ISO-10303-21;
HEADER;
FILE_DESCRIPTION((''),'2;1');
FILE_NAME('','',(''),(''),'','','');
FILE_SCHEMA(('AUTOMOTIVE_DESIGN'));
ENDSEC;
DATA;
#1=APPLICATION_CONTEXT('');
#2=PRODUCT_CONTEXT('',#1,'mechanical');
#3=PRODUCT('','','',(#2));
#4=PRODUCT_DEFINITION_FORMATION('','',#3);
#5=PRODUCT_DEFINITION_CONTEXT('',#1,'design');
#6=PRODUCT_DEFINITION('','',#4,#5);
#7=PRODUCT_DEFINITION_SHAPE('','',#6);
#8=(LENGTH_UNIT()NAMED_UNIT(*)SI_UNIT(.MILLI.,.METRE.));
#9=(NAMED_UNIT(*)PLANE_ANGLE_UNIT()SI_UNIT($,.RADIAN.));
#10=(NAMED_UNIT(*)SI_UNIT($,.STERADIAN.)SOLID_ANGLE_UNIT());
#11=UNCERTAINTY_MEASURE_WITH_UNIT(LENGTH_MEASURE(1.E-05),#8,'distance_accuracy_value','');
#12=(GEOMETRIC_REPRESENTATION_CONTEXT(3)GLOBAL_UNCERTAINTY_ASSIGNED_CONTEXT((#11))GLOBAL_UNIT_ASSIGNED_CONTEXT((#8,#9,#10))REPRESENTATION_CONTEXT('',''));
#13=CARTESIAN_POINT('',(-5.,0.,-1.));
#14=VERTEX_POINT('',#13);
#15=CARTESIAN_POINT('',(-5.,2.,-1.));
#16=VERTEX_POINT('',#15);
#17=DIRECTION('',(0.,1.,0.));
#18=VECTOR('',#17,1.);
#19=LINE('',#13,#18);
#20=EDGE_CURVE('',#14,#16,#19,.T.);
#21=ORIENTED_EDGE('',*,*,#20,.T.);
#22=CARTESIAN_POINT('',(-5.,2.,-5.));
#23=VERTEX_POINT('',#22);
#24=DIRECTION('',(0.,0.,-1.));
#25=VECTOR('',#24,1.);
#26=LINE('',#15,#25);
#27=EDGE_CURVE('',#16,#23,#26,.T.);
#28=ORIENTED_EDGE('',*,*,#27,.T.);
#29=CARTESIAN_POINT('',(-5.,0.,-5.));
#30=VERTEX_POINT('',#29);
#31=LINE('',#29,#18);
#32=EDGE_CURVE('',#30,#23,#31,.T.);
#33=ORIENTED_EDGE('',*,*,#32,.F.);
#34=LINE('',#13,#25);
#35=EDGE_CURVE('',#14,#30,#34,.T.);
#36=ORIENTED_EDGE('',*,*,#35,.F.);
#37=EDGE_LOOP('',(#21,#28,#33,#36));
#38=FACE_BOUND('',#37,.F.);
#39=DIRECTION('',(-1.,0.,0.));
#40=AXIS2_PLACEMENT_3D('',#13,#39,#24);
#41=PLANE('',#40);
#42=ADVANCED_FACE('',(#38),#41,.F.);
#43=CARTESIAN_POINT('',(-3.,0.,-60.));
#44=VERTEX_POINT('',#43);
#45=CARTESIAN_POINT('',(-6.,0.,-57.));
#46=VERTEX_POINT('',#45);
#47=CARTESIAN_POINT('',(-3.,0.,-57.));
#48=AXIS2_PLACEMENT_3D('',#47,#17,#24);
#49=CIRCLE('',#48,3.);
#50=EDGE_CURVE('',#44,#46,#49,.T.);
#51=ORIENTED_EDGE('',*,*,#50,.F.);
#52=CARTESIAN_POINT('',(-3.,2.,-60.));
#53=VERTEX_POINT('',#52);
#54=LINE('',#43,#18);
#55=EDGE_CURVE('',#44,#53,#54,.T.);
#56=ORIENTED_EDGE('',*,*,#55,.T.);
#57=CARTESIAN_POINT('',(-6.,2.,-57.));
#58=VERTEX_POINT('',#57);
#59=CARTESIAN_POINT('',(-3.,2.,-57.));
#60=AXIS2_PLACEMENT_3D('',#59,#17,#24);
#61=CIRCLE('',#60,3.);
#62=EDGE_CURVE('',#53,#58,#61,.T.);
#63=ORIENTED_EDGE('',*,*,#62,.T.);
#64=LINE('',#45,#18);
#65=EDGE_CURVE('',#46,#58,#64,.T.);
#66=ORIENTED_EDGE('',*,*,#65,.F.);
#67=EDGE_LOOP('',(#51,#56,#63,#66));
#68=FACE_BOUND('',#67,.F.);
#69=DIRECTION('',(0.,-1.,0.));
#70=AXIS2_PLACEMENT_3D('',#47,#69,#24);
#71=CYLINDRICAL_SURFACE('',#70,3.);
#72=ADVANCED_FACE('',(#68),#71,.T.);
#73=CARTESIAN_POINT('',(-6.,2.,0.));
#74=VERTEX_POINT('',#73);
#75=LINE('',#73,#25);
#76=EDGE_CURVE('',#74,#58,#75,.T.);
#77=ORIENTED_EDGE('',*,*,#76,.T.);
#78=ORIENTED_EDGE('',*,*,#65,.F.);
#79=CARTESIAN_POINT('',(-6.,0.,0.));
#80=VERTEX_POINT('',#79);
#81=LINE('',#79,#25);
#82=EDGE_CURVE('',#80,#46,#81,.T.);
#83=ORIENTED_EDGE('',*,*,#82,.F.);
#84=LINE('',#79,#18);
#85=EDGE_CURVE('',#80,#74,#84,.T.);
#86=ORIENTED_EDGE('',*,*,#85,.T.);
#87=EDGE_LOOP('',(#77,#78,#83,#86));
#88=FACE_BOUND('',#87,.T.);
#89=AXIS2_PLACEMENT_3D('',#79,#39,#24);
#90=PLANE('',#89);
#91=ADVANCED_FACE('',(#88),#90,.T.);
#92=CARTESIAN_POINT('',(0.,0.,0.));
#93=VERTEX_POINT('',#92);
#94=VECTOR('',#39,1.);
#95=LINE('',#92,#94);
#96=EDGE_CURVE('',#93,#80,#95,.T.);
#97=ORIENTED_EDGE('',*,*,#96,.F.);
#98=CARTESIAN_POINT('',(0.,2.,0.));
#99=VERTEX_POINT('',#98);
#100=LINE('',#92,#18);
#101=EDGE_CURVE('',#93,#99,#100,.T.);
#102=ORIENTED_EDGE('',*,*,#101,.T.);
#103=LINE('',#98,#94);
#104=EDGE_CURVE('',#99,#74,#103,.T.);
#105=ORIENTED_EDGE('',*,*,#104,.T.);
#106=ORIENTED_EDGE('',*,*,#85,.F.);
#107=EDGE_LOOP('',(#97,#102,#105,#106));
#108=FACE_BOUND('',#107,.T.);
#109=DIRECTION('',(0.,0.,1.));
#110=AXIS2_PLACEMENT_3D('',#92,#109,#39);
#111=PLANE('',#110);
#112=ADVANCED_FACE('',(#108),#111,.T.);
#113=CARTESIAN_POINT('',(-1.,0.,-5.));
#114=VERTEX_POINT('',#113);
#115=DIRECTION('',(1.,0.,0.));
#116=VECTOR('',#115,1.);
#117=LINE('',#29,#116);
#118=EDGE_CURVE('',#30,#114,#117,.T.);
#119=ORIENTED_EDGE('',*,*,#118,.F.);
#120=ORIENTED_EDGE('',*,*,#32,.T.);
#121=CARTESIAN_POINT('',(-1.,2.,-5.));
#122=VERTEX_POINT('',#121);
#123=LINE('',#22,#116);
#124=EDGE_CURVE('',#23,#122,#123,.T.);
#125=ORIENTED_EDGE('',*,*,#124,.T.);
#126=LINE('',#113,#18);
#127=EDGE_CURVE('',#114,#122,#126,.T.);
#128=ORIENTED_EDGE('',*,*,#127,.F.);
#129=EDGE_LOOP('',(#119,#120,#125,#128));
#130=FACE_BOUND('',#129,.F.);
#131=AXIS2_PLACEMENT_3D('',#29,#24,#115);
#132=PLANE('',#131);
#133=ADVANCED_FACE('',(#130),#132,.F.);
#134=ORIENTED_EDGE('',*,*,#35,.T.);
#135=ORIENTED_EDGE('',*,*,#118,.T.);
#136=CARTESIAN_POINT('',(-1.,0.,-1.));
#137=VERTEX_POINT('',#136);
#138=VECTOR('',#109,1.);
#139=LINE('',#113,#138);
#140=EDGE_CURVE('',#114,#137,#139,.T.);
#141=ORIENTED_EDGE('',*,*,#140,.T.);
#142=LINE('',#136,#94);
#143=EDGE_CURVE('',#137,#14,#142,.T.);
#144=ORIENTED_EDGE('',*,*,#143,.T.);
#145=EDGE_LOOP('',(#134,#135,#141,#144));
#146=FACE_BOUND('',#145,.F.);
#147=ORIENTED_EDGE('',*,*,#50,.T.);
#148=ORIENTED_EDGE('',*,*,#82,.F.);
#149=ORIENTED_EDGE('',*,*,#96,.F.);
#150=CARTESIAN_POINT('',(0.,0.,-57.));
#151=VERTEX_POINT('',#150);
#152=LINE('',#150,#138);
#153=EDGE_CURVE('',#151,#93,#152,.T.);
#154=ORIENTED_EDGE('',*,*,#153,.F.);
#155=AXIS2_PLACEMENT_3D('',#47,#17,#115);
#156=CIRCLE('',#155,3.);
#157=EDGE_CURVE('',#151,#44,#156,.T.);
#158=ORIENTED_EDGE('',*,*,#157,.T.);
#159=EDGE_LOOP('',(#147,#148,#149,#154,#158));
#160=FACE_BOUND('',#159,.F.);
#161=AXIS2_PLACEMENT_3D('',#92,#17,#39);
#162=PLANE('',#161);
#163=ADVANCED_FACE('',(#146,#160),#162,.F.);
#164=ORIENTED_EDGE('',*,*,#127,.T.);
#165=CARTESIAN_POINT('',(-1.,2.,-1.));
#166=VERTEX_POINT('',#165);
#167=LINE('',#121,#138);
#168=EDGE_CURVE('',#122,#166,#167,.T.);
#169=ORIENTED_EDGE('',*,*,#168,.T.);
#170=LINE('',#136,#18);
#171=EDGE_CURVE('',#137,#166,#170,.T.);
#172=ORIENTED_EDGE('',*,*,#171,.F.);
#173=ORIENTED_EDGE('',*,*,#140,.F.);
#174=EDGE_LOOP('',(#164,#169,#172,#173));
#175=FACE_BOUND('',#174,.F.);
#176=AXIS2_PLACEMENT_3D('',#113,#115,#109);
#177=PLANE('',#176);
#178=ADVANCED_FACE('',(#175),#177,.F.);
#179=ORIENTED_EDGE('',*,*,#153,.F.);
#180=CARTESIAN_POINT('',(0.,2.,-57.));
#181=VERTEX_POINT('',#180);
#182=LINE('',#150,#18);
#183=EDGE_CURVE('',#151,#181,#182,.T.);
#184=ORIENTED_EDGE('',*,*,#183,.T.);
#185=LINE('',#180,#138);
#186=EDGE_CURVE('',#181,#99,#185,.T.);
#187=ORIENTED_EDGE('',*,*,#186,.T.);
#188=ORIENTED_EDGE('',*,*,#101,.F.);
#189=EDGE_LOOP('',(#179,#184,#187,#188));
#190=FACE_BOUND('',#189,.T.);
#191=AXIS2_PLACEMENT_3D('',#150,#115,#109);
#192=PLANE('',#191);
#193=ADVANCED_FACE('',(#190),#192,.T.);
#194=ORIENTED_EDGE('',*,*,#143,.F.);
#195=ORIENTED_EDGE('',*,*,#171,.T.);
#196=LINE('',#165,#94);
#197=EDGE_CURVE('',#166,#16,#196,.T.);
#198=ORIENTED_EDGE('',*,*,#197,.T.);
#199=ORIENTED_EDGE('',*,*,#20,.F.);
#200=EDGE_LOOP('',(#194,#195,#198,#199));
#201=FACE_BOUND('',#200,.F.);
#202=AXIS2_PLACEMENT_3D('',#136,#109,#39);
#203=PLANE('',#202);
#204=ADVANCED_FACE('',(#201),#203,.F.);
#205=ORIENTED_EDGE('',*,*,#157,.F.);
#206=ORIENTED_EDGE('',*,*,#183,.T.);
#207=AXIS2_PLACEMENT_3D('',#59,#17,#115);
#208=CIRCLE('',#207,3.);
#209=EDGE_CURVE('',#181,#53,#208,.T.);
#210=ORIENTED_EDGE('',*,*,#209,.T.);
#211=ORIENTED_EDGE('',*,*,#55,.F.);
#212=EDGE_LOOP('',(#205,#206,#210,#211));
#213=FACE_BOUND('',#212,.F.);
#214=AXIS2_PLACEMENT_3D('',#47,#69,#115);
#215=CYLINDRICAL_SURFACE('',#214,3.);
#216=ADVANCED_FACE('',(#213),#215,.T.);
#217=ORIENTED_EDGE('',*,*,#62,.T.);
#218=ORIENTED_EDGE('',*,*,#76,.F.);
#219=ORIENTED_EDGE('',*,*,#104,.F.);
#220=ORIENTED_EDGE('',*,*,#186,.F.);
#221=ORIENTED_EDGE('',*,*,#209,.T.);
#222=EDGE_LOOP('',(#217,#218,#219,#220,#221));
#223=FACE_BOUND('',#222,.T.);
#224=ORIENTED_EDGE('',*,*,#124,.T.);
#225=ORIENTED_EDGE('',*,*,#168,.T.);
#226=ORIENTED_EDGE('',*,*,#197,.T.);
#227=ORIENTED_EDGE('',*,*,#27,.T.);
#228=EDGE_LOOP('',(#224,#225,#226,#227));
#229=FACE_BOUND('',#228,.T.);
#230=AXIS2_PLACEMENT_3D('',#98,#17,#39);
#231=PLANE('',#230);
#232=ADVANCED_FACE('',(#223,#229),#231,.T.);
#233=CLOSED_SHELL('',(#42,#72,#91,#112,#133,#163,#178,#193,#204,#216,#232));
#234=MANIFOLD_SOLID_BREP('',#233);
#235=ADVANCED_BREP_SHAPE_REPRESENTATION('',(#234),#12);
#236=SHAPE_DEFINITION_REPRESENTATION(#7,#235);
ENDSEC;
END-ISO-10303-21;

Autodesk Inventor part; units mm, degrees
ref_plane "YZ Plane" through (0, 0, 0) normal (1, 0, 0) x (0, 1, 0)
ref_plane "XZ Plane" through (0, 0, 0) normal (0, 1, 0) x (-1, 0, 0)
ref_plane "XY Plane" through (0, 0, 0) normal (0, 0, 1) x (1, 0, 0)
sketch "Skizze1" plane through (0, 0, 0) normal (0, 1, 0) x (-1, 0, 0)
  line L0 (0, 0) -> (6, 0)
  line L1 (6, 0) -> (6, -57)
  line L2 (3, -60) -> (3, -60)
  line L3 (0, -57) -> (0, 0)
  arc A0 (3, -60) -> (6, -57) centre (3, -57) ccw
  arc A1 (0, -57) -> (3, -60) centre (3, -57) ccw
  line L4 (1, -1) -> (5, -1)
  line L5 (5, -1) -> (5, -5)
  line L6 (5, -5) -> (1, -5)
  line L7 (1, -5) -> (1, -1)
  point P0 (6, -60)
  point P1 (0, -60)
  point P2 (3, -60)
  dimension "d0" = 6
  dimension "d1" = 60
  dimension "d2" = 3
  dimension "d3" = 4
  dimension "d4" = 4
extrude "Extrusion1" add sketch "Skizze1" along normal blind 2
equation "\"Biegeradius\" = Stärke"
equation "\"BreiteBiegungsfreistellung\" = Stärke"
equation "\"TiefeBiegungsfreistellung\" = 0.5 * Stärke"
equation "\"GrößeEckenfreistellung\" = 4 * Stärke"
equation "\"MinimalRest\" = 2 * Stärke"
equation "\"Übergangsradius\" = Biegeradius"
equation "\"JacobiRadiusGröße\" = Biegeradius"
equation "\"Abstandsgröße\" = Stärke"
equation "\"Stärke\" = 0.5"
properties part number "V3_O4"
